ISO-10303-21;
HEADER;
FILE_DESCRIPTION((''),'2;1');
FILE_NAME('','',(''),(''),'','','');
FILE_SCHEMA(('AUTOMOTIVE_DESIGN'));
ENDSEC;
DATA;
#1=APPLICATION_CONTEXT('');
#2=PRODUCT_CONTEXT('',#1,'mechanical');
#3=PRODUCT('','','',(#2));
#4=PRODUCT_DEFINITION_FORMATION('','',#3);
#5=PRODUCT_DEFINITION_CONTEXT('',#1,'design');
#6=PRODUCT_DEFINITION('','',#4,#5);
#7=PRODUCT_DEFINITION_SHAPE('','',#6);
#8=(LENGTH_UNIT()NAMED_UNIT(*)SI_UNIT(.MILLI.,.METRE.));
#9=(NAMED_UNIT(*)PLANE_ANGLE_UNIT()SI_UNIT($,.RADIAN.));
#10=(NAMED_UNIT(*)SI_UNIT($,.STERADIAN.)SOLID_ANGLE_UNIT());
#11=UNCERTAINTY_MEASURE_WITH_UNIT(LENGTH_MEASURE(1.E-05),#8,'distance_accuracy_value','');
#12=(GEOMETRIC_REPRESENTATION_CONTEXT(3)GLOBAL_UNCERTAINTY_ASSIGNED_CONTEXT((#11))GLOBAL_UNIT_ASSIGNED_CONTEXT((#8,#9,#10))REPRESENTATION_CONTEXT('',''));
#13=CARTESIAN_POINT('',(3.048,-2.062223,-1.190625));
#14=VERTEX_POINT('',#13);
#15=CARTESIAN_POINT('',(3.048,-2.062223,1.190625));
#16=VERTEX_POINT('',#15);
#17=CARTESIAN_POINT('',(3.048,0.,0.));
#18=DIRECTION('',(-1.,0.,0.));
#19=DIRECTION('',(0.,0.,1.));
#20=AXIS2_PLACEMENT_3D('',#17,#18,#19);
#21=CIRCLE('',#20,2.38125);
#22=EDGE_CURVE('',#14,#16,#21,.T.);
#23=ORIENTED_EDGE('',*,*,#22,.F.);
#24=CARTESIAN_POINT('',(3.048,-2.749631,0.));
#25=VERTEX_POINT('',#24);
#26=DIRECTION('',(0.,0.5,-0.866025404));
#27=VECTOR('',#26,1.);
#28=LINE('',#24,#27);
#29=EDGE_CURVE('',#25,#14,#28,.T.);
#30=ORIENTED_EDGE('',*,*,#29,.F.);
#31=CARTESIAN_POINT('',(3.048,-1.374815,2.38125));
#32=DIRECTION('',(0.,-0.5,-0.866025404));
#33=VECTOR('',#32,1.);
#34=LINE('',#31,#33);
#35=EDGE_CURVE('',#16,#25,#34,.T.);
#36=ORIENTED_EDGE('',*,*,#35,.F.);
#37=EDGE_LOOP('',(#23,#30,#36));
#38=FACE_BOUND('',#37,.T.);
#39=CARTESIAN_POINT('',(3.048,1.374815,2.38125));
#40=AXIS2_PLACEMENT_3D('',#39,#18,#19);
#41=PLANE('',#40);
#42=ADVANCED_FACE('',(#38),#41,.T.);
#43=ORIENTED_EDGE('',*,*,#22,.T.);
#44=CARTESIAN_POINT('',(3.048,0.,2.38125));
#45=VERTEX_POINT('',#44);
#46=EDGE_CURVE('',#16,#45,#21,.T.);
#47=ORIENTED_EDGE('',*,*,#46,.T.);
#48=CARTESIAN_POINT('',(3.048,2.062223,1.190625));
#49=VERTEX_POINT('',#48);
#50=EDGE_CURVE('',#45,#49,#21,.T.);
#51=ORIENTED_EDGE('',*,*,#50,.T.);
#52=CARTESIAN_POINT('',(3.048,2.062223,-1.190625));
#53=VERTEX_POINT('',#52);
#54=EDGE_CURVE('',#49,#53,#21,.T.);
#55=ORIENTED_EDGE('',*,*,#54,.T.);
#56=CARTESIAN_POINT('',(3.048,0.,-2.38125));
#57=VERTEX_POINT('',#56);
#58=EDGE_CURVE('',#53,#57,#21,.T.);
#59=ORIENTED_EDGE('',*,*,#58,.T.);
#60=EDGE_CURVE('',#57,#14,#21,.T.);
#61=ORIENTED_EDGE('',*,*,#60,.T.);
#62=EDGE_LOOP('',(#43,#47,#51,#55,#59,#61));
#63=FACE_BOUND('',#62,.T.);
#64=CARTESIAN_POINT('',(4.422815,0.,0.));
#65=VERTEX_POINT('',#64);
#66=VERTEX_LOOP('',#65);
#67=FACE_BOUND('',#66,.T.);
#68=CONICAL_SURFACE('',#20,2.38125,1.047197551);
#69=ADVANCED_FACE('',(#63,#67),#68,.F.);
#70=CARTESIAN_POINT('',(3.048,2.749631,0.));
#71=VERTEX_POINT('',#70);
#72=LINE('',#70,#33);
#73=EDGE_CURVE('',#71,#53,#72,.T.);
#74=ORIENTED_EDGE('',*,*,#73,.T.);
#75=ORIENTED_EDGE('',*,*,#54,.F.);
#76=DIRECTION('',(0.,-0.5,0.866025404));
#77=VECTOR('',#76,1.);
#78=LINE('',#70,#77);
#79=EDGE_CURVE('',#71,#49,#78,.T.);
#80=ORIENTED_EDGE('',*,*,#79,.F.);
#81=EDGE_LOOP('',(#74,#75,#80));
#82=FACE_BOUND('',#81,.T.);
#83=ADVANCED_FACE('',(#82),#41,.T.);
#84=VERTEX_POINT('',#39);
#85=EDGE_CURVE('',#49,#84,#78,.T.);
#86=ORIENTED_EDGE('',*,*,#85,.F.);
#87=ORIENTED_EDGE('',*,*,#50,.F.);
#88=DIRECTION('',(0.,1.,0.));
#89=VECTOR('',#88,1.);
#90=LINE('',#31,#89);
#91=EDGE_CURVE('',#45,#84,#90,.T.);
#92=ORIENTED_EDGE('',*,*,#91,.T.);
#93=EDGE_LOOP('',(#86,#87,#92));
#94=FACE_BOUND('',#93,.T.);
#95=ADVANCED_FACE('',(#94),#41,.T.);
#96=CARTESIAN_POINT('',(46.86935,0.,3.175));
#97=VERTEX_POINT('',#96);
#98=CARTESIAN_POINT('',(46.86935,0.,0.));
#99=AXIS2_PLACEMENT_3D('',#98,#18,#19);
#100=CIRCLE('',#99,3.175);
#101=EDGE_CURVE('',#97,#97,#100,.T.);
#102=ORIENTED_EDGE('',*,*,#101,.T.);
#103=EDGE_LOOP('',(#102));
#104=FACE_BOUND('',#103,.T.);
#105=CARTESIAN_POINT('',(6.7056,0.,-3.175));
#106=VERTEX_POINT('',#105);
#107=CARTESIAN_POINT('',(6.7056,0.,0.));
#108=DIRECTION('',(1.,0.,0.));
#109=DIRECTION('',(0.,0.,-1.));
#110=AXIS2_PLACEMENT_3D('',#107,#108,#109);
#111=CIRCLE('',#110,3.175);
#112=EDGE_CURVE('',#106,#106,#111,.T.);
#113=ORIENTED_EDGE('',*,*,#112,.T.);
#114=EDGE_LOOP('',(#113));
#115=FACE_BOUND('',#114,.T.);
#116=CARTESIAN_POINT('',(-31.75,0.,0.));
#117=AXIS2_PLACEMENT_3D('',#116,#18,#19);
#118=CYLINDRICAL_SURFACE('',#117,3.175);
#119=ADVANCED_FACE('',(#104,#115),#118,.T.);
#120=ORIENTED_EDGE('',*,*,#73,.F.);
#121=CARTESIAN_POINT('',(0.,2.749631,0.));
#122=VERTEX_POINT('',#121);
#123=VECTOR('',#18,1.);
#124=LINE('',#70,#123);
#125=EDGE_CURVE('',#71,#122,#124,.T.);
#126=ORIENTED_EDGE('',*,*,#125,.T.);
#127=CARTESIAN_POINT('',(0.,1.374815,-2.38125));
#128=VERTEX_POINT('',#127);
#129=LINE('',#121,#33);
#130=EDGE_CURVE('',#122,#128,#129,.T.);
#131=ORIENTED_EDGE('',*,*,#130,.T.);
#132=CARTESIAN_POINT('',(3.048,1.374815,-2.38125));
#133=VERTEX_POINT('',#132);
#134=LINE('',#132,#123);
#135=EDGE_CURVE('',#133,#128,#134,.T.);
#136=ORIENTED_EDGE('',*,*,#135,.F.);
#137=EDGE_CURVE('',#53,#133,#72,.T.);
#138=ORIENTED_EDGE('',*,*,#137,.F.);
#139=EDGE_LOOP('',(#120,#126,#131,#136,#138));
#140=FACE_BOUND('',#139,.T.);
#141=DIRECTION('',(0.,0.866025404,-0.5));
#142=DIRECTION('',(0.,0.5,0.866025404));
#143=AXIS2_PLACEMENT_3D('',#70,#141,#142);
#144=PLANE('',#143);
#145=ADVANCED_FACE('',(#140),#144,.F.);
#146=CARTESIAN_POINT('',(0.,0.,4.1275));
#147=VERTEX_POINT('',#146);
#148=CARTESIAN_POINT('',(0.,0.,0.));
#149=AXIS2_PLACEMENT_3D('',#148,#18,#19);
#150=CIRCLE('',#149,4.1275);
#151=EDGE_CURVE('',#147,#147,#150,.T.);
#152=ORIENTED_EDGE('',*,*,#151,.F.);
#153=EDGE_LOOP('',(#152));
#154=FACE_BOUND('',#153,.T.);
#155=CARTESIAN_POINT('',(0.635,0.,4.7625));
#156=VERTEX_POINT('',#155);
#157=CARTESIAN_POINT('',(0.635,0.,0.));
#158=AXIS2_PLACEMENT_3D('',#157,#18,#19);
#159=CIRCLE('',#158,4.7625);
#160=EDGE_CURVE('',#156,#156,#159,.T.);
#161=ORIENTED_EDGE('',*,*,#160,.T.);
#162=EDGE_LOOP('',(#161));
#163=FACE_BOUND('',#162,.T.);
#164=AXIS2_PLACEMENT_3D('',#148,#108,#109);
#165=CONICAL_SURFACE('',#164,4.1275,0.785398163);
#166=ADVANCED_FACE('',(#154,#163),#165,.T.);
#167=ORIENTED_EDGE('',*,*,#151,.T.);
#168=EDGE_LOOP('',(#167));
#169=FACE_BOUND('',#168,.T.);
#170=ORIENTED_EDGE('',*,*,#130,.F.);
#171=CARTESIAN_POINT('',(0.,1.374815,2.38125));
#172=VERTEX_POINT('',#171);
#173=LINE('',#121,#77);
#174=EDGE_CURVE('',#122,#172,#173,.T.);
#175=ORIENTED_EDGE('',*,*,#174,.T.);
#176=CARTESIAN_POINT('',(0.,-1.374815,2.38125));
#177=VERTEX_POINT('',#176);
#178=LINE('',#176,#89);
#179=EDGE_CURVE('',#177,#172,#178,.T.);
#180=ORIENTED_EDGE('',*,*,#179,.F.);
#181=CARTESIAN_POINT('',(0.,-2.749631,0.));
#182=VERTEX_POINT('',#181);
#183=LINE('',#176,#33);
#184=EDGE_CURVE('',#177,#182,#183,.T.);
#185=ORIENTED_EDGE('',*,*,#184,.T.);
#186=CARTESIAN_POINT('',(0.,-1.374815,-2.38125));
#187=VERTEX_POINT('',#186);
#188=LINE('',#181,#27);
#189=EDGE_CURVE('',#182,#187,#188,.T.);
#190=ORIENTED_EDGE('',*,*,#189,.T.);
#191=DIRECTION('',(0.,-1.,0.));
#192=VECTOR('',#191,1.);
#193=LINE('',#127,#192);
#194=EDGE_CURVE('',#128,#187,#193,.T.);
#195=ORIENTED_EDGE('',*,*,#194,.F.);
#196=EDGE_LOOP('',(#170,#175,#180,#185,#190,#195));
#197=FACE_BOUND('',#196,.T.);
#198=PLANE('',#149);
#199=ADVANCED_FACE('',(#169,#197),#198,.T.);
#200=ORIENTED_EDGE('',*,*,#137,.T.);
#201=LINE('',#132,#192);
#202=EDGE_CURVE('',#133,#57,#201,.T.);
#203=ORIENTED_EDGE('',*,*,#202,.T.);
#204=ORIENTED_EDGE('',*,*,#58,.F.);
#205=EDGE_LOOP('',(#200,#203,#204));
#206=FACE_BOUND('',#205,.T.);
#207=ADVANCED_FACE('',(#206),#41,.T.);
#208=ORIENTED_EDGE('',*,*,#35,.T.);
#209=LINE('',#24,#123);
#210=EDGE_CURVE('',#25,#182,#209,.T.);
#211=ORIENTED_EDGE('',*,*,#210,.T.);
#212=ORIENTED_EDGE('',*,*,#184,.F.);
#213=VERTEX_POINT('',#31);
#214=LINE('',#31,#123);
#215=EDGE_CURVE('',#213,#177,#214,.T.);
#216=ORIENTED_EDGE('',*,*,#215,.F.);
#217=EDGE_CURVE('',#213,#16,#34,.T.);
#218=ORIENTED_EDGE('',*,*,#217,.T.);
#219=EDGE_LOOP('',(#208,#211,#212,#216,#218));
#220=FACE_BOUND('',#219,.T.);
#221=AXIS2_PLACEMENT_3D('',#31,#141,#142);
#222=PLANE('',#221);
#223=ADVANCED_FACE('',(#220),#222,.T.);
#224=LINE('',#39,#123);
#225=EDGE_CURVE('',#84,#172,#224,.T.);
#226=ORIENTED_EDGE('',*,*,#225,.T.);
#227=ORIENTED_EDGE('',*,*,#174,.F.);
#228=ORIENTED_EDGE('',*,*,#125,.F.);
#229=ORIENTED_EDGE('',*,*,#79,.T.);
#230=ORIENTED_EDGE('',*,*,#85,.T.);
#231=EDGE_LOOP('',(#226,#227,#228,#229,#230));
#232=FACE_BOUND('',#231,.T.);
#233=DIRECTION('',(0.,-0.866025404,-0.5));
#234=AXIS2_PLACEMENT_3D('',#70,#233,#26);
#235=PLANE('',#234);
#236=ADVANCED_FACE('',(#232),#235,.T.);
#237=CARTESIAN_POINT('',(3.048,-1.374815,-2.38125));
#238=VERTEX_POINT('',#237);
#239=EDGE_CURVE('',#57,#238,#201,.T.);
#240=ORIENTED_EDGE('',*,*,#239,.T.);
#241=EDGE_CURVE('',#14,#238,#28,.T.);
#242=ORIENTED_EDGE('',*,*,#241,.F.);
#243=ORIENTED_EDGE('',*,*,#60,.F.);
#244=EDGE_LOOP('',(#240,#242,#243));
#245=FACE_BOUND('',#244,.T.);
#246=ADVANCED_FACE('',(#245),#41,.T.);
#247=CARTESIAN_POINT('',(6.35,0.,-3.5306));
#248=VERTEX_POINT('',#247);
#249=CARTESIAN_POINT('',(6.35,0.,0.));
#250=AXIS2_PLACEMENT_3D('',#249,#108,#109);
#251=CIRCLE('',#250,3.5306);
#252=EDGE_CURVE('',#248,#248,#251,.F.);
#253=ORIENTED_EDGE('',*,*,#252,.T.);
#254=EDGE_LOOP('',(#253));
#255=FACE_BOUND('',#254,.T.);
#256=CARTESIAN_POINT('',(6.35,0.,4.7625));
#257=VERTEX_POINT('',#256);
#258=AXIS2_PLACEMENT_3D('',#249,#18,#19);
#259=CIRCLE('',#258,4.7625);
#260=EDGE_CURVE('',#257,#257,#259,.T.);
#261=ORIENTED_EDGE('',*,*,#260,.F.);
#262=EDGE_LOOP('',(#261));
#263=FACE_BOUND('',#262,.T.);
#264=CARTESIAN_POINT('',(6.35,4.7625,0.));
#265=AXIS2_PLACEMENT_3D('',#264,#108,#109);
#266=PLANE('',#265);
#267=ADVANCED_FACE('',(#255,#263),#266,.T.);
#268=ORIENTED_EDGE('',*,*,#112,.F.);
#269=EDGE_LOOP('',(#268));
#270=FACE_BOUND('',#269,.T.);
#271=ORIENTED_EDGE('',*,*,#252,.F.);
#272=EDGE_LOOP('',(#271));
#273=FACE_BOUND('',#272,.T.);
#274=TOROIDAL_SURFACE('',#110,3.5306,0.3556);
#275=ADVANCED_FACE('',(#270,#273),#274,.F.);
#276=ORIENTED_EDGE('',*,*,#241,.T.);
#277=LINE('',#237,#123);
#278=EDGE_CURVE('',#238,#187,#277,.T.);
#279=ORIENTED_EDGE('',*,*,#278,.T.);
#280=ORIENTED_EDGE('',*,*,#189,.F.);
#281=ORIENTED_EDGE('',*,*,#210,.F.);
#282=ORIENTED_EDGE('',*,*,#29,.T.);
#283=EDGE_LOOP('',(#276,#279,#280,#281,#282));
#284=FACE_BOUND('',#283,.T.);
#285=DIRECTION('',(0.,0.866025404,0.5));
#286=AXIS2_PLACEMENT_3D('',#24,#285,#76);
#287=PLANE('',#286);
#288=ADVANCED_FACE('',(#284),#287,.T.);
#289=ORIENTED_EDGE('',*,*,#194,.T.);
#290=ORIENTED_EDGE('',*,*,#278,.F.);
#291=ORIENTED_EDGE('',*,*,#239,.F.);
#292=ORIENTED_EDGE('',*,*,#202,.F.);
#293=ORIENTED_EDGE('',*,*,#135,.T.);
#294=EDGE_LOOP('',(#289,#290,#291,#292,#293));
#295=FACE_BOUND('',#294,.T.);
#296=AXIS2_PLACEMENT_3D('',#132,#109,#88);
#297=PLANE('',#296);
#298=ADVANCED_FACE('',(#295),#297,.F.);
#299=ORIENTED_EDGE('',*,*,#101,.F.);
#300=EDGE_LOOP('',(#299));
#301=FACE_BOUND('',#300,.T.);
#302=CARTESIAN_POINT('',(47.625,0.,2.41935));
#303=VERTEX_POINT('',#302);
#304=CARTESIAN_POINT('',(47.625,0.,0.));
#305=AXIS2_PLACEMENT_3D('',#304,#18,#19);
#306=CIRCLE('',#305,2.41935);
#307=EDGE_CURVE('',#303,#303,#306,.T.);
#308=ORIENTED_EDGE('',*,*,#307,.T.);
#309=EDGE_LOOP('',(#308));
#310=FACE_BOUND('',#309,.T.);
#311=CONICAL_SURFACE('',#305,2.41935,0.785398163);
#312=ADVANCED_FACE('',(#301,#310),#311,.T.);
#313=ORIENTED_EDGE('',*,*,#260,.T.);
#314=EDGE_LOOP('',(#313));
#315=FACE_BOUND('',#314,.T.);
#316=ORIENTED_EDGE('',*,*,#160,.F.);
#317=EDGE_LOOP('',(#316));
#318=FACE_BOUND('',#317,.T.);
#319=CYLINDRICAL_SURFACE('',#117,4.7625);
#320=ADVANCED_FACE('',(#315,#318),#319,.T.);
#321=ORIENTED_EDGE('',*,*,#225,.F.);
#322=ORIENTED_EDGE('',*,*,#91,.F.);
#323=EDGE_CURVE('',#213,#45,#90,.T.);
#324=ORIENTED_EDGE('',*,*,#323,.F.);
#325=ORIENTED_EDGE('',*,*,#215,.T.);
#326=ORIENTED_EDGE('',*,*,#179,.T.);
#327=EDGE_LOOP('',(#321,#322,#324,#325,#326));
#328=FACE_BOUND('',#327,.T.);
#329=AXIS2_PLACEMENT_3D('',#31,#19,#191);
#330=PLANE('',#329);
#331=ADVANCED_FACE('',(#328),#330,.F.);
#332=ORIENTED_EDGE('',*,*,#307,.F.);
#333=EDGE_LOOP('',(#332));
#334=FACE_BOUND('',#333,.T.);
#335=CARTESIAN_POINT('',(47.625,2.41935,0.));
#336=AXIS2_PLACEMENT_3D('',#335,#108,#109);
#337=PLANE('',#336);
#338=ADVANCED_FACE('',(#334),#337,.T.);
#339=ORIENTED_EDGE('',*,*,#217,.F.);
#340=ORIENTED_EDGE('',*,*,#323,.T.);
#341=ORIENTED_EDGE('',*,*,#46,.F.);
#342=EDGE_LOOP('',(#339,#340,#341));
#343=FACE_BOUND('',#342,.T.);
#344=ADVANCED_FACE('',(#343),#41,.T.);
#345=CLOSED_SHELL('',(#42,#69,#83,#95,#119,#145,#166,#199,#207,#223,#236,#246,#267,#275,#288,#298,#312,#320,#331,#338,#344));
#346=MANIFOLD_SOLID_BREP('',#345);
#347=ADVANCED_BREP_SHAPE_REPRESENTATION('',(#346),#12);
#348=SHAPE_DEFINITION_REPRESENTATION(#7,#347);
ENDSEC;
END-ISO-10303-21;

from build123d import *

# Parameters (mm, degrees)
FILLET1_R   = 0.3556
HEX_2_DEPTH = 3.048


with BuildPart() as part:
    # BodySke → Base-Revolve (revolve)
    with BuildSketch(Plane.XY):
        Polygon((0, 0), (0, 4.1275), (0.635, 4.7625), (6.35, 4.7625), (6.35, 3.175), (46.86935, 3.175), (47.625, 2.41935), (47.625, 0), align=None)
    revolve(axis=Axis((-31.75, 0, 0), (1, 0, 0)))

    # Fillet1
    fillet1_edges = [part.edges().sort_by_distance(p)[0] for p in [
        (6.35, -3.175, 0),
    ]]
    fillet(fillet1_edges, radius=FILLET1_R)

    # Sketch2 → Hex-PreBroach (revolve, cut)
    with BuildSketch(Plane.XY):
        Polygon((0, 2.38125), (3.048, 2.38125), (4.422815329, 0), (0, 0), align=None)
    revolve(axis=Axis((0, 0, 0), (1, 0, 0)), mode=Mode.SUBTRACT)

    # Sketch3 → Hex 2 (cut)
    with BuildSketch(Plane(origin=(0, 0, 0), x_dir=(0, 0.5, 0.866025404), z_dir=(-1, 0, 0))):
        Polygon((1.374815329, 2.38125), (-1.374815329, 2.38125), (-2.749630657, 0), (-1.374815329, -2.38125), (1.374815329, -2.38125), (2.749630657, 0), align=None)
    extrude(amount=-HEX_2_DEPTH, mode=Mode.SUBTRACT)


solid = part.part
